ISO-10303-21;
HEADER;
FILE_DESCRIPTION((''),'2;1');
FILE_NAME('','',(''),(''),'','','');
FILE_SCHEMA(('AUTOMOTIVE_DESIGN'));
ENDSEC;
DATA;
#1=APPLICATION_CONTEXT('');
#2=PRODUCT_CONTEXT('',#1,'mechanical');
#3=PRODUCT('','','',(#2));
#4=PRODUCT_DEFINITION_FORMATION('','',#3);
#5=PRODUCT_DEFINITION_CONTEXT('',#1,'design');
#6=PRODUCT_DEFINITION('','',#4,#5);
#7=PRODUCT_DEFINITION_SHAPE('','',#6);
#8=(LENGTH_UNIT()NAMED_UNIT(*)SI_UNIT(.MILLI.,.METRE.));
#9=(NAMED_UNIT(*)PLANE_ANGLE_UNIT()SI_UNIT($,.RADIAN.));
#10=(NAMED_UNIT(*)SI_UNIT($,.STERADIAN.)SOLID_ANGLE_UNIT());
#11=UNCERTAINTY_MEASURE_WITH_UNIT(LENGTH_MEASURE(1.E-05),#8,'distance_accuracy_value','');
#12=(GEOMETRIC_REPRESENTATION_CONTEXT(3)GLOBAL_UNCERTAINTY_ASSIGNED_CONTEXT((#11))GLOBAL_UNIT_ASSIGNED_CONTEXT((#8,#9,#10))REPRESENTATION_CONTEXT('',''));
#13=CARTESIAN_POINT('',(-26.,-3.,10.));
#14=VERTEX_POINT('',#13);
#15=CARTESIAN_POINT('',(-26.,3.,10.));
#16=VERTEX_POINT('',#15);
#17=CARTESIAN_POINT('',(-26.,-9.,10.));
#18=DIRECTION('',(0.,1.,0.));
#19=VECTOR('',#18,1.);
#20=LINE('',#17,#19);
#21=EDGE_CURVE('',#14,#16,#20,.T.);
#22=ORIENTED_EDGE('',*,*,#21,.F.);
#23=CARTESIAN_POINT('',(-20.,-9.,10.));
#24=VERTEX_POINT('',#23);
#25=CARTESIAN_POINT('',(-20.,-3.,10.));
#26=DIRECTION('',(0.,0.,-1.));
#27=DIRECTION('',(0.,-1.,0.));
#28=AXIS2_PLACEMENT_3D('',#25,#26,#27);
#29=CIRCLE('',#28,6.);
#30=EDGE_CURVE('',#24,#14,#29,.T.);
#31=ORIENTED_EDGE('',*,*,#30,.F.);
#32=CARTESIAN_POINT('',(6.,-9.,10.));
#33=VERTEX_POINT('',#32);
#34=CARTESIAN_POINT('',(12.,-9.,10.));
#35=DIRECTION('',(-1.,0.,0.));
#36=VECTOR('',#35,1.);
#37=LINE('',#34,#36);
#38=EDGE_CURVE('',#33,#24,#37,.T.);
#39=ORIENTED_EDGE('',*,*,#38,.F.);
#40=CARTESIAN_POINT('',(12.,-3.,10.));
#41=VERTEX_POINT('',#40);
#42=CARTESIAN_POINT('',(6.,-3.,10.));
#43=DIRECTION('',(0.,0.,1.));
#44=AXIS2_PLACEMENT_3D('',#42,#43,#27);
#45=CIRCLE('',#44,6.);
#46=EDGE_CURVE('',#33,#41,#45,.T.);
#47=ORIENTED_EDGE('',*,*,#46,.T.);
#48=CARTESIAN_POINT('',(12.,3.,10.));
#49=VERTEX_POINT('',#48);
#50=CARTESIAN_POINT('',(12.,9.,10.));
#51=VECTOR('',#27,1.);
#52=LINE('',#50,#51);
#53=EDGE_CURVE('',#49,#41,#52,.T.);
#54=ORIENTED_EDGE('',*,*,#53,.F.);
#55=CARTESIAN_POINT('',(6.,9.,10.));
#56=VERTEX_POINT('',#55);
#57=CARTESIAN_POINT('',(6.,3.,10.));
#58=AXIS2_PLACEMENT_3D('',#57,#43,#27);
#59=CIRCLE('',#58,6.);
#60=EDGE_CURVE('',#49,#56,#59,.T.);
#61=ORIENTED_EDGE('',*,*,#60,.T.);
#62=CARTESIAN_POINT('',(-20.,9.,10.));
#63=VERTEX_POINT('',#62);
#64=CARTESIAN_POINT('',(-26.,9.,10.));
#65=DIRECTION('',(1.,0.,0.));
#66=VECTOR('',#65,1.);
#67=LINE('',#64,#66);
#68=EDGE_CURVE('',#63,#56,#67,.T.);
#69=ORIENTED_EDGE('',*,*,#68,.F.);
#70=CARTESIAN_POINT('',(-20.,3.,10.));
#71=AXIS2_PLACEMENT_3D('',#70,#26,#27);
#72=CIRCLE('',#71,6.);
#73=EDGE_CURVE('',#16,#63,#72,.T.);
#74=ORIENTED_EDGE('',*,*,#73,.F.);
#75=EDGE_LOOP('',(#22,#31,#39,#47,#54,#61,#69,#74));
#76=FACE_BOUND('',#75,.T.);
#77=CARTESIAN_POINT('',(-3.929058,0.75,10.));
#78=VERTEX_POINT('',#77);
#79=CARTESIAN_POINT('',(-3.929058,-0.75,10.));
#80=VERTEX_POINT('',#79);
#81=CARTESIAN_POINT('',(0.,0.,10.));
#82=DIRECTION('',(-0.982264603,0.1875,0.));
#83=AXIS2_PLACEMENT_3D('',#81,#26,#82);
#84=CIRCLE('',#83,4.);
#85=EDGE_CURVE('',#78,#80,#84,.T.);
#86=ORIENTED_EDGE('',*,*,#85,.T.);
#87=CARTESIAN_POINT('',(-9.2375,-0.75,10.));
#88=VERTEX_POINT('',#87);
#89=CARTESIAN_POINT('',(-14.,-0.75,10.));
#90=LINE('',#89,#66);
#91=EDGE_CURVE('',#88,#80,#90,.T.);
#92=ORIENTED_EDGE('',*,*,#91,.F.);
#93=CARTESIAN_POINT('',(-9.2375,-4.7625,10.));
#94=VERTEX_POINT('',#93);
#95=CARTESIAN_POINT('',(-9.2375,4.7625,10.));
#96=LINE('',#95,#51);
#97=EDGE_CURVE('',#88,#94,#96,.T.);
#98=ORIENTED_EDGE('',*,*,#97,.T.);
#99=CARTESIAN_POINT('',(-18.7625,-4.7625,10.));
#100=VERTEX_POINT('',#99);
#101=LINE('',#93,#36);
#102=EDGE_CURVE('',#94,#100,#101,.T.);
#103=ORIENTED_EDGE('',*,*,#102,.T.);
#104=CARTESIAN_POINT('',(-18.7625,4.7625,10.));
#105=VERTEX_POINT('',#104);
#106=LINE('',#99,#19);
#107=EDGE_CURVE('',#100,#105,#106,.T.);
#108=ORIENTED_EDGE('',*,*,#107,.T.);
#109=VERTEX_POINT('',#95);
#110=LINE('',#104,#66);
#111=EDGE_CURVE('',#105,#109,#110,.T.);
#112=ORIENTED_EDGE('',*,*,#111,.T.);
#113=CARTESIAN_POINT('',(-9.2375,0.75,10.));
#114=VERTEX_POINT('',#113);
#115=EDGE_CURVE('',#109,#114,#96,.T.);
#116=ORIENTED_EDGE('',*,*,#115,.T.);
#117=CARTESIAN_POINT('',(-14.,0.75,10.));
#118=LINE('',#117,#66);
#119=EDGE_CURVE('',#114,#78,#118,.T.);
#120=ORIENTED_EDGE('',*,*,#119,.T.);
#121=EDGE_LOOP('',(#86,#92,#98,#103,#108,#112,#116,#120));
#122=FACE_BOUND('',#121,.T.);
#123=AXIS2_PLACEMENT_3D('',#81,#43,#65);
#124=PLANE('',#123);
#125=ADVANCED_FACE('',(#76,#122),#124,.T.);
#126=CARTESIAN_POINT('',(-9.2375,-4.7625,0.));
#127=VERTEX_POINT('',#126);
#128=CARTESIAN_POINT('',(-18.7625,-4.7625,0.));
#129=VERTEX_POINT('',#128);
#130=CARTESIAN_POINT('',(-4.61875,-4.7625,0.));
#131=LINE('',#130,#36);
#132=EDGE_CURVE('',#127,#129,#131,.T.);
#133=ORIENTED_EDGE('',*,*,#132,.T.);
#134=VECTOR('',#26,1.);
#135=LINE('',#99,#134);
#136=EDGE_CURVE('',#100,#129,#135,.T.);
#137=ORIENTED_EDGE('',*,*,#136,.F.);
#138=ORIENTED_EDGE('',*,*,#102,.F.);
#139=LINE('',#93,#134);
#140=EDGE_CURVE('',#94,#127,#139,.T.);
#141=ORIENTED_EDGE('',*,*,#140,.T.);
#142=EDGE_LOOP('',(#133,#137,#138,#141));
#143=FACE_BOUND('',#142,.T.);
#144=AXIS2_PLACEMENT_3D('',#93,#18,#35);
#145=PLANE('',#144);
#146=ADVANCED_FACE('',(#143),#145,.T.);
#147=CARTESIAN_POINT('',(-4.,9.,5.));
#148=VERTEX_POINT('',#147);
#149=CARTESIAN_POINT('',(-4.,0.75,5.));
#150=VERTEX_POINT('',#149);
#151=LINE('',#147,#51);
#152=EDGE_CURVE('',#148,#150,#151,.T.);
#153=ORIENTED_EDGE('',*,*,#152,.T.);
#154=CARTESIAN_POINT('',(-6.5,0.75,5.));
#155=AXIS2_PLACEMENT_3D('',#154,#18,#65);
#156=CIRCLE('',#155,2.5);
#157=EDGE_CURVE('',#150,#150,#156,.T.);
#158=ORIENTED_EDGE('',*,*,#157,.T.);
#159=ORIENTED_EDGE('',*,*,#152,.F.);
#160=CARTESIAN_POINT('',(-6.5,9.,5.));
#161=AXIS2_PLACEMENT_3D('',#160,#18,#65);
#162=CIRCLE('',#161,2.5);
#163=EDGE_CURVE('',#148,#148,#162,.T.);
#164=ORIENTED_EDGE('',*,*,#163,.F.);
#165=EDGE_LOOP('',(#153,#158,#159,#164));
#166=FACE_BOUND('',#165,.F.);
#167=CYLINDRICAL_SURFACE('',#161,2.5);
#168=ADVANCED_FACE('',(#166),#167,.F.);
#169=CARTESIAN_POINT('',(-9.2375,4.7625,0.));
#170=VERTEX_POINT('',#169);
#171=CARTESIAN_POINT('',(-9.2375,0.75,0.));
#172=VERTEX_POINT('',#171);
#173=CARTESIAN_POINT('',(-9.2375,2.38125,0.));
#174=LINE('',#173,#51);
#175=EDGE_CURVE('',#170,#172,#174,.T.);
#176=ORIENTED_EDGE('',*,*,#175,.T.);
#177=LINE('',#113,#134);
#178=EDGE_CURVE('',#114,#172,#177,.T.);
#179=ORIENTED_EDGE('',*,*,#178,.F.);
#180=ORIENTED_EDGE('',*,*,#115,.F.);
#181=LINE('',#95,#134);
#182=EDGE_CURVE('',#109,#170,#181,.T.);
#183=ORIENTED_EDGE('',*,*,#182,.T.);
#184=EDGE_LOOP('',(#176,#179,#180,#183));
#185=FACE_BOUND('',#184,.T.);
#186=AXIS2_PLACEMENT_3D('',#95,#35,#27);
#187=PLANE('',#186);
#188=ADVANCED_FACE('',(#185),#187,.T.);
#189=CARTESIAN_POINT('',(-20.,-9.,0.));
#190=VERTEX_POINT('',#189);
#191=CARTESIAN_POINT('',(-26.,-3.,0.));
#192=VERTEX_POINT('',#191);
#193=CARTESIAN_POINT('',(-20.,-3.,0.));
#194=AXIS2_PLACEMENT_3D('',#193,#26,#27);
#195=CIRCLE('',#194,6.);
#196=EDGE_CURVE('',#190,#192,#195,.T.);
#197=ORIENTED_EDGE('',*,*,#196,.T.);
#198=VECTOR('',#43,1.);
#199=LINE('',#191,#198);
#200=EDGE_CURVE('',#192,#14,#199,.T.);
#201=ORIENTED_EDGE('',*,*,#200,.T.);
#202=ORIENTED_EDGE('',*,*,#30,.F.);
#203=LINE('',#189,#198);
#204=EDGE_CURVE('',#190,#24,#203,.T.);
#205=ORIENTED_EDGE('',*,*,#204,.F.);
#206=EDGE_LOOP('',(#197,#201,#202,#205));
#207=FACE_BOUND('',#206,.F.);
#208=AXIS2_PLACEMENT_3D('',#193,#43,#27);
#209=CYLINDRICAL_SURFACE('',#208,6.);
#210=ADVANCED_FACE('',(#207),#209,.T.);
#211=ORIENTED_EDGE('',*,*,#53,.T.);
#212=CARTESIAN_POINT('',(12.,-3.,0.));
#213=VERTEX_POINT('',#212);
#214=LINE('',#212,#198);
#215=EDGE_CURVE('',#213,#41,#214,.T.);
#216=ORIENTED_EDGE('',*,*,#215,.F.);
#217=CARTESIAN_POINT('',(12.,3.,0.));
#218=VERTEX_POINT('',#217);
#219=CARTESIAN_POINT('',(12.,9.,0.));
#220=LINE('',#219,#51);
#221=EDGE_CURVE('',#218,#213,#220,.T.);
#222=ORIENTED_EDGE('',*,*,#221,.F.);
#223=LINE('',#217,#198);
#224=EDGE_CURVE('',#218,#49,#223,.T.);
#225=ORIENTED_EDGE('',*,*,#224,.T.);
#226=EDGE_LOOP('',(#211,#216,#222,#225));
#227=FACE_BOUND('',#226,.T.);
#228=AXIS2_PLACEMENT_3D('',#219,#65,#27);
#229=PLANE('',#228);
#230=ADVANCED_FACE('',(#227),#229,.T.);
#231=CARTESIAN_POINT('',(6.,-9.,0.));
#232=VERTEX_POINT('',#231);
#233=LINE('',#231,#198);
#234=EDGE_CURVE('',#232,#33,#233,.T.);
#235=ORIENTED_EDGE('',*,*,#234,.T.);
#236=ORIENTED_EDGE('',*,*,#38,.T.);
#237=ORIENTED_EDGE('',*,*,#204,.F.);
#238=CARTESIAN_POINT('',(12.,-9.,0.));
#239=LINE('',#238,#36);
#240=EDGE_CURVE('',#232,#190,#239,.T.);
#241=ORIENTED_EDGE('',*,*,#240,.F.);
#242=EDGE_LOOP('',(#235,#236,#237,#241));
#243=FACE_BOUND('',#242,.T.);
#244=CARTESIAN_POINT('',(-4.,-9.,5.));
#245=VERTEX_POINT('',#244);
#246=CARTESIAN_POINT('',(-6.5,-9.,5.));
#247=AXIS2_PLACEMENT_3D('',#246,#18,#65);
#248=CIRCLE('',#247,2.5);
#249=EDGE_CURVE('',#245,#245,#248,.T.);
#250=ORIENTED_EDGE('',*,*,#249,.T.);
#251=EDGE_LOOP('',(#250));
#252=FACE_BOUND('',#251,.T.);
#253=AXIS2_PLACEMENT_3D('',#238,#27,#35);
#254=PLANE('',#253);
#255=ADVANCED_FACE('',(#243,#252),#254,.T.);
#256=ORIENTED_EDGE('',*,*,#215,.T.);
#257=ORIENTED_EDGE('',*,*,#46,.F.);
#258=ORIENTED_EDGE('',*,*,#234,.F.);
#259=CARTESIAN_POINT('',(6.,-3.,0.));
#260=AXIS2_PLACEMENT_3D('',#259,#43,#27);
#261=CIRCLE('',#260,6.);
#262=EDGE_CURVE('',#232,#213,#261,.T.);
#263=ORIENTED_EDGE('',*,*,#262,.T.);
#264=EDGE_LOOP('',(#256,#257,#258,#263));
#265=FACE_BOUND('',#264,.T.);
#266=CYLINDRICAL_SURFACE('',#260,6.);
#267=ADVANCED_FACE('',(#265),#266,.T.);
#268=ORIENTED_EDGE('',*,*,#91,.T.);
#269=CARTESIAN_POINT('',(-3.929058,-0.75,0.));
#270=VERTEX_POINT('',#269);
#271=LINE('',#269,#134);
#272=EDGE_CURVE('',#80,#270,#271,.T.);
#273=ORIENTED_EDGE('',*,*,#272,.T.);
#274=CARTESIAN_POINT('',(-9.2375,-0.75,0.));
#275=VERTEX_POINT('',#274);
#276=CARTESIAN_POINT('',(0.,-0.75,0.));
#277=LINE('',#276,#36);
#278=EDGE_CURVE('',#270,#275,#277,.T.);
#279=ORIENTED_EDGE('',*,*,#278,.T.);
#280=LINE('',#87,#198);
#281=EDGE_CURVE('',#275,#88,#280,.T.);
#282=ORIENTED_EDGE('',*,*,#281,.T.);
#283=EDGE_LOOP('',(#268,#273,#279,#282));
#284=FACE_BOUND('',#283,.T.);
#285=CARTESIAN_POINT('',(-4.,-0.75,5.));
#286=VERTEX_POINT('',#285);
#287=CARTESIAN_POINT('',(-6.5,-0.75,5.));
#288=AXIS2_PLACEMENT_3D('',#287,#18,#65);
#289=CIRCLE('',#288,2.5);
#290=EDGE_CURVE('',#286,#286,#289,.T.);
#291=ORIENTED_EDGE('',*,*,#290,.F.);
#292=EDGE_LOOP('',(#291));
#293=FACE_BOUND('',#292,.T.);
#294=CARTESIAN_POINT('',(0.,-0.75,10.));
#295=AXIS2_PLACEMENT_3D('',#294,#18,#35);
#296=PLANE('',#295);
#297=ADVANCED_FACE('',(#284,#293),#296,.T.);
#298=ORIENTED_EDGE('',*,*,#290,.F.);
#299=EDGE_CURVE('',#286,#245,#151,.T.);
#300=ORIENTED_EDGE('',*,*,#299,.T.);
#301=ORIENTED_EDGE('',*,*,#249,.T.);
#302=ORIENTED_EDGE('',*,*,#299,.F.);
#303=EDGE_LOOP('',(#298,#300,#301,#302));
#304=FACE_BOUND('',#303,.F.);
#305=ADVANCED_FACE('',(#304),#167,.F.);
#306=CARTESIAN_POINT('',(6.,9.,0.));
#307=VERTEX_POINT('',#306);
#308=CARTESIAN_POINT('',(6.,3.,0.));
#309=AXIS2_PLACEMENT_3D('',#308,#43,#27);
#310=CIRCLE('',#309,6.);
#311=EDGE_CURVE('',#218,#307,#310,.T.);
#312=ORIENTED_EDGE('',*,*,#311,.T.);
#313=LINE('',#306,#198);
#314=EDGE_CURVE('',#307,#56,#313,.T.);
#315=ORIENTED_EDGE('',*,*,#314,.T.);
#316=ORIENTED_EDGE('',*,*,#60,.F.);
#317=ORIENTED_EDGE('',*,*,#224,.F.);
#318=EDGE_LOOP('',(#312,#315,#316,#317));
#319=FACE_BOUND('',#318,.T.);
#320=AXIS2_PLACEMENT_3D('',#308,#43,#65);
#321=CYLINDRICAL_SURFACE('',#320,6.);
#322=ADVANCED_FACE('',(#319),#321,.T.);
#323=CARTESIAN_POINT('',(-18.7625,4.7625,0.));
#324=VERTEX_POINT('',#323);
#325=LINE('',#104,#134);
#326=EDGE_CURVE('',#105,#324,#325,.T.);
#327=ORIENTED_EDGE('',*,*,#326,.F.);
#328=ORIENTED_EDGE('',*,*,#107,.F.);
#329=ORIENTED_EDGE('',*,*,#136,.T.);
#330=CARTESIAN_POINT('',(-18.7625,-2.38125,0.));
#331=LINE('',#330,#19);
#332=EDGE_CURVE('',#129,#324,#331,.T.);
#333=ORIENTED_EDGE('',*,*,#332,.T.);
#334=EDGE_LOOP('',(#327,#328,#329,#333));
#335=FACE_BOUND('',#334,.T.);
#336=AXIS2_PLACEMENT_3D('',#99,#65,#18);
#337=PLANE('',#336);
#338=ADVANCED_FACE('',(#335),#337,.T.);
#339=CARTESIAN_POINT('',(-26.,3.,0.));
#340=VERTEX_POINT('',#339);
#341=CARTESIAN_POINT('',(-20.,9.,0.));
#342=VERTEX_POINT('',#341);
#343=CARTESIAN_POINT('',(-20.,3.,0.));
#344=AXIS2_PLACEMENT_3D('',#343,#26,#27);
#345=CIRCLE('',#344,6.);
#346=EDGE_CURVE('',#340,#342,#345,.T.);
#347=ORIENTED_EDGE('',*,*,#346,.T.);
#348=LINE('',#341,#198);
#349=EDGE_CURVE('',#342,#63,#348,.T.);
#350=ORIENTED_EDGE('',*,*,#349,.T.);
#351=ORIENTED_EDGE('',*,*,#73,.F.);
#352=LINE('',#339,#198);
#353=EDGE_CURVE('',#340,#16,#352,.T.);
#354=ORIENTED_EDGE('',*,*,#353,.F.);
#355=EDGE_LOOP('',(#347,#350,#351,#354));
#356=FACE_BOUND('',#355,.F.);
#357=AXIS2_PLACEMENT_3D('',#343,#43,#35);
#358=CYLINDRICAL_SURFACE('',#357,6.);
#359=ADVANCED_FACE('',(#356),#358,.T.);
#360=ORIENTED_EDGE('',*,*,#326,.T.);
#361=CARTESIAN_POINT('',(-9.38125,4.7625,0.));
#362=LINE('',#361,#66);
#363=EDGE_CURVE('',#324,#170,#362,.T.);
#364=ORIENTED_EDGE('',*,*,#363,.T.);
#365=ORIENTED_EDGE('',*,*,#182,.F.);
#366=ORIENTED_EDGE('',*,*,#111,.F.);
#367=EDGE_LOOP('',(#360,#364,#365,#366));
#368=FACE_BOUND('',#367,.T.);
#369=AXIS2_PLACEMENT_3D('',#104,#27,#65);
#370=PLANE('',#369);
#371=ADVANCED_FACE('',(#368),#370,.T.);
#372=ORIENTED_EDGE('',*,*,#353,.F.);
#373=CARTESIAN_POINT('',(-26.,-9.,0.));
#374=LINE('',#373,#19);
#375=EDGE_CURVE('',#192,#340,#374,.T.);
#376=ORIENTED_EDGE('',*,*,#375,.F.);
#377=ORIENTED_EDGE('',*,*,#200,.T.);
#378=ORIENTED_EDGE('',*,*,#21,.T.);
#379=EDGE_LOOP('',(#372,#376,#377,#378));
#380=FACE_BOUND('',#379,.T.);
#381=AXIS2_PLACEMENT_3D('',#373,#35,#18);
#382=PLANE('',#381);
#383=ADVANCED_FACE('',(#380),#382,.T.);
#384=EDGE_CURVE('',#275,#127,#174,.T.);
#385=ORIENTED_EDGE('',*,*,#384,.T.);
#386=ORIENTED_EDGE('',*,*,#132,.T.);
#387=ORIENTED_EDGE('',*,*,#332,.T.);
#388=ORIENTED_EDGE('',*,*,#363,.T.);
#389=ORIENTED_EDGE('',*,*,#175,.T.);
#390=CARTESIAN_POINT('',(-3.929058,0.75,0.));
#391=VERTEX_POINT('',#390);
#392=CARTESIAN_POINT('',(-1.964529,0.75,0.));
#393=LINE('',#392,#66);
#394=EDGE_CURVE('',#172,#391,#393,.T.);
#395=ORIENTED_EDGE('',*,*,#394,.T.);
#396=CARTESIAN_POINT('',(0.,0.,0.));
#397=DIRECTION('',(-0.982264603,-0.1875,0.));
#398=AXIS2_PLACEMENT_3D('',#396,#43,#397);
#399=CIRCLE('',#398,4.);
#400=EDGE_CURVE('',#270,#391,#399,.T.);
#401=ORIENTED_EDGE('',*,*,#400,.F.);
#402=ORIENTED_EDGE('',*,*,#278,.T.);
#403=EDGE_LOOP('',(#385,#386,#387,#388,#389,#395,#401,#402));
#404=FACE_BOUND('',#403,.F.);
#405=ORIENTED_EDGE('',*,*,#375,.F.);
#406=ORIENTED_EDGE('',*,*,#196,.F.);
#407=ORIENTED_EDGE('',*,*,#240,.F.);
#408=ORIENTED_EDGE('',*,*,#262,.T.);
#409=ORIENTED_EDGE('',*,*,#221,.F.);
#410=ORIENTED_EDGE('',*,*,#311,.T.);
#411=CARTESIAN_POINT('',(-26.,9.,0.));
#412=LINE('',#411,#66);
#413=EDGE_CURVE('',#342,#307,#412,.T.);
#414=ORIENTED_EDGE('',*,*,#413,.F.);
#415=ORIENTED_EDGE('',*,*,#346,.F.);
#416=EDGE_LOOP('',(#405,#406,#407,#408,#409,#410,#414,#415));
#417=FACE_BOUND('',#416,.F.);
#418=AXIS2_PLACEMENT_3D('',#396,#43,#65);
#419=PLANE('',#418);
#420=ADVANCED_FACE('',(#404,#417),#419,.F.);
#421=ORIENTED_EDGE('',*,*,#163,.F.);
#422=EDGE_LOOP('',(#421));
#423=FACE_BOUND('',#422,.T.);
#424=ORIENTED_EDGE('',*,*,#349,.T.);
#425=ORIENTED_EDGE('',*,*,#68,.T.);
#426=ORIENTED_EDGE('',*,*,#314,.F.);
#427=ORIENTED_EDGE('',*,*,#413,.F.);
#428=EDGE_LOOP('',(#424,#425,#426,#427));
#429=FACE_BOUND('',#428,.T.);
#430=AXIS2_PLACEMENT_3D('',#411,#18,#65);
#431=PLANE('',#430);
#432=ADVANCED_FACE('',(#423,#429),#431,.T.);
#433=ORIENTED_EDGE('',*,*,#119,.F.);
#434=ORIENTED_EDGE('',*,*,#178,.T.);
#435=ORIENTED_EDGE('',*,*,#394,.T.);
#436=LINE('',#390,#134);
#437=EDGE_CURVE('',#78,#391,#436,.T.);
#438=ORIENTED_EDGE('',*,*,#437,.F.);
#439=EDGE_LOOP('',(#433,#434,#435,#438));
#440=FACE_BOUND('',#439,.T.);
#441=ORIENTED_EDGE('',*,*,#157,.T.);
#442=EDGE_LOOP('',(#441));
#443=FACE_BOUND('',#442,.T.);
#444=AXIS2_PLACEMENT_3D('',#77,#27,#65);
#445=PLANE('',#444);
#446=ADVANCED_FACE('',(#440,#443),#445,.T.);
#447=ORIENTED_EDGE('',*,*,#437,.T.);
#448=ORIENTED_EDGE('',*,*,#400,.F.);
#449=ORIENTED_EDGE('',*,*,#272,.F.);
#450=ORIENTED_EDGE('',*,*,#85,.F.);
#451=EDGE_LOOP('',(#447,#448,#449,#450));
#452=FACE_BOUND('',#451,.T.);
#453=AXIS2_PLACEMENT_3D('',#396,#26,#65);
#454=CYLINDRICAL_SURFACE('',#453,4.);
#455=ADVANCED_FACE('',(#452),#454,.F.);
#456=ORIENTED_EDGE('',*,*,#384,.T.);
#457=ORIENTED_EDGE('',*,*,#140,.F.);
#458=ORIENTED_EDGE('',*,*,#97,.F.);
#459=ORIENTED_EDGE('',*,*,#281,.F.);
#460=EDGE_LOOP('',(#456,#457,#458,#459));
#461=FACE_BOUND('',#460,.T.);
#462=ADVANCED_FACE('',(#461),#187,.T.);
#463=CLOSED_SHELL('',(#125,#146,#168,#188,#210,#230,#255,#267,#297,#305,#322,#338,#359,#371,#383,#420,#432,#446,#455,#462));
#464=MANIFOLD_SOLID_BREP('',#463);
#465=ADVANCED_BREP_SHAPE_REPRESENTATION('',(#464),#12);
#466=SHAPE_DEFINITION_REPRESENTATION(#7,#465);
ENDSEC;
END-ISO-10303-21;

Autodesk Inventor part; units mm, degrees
ref_plane "YZ Plane" through (0, 0, 0) normal (1, 0, 0) x (0, 1, 0)
ref_plane "XZ Plane" through (0, 0, 0) normal (0, 1, 0) x (-1, 0, 0)
ref_plane "XY Plane" through (0, 0, 0) normal (0, 0, 1) x (1, 0, 0)
sketch "Sketch1" plane through (0, 0, 0) normal (0, 0, 1) x (1, 0, 0)
  line L0 (0, 0) -> (-14, 0) construction
  circle A0 centre (-14, 0) radius 4
  circle A1 centre (0, 0) radius 4
  line L1 (12, -9) -> (-26, -9)
  line L2 (-26, -9) -> (-26, 9)
  line L3 (-26, 9) -> (12, 9)
  line L4 (12, 9) -> (12, -9)
  line L5 (12, -9) -> (-26, 9) construction
  line L6 (-26, -9) -> (12, 9) construction
  point P0 (-7, 0)
  dimension "d0" = 8
  dimension "d1" = 14
  dimension "d2" = 12
  dimension "d3" = 18
  dimension "d13" = 38
extrude "Extrusion1" add sketch "Sketch1" along normal blind 10
sketch "Sketch2" plane through (-26, 9, 0) normal (0, 1, 0) x (1, 0, 0)
  circle A0 centre (19.5, -5) radius 2.5
  line L0 (19.5, -5) -> (0, -5) construction
  line L1 (0, 0) -> (0, -10) construction
  point P0 (26, 0)
  dimension "d6" = 5
  dimension "d17" = 19.5
extrude "Extrusion2" cut sketch "Sketch2" against normal through all
fillet "Fillet1" radius 6 4 edges at (12, 9, 5) (-26, 9, 5) (-26, -9, 5) (12, -9, 5)
sketch "Sketch3" plane through (0, 0, 10) normal (0, 0, 1) x (1, 0, 0)
  line L0 (-20, -9) -> (6, -9) projected
  circle A0 centre (0, 0) radius 4 projected
  circle A1 centre (-14, 0) radius 4 projected
  line L1 (-14, 0) -> (0, 0) construction
  line L2 (0, -0.75) -> (-14, -0.75)
  line L3 (-14, -0.75) -> (-14, 0.75)
  line L4 (-14, 0.75) -> (0, 0.75)
  line L5 (0, 0.75) -> (0, -0.75)
  line L6 (0, -0.75) -> (-14, 0.75) construction
  line L7 (-14, -0.75) -> (0, 0.75) construction
  point P0 (-7, 0)
  dimension "d10" = 1.5
extrude "Extrusion3" cut sketch "Sketch3" against normal through all contours L4 L5 L2 A0 | A0 L2 A1 L4 | A1 L2 L3 L4 picked at (-1.3307, -0.0838) picked at (-12.6667, 0)
sketch "Sketch4" plane through (0, 0, 10) normal (0, 0, 1) x (1, 0, 0)
  line L0 (-10.0709, 0.75) -> (-3.9291, 0.75) construction
  arc A0 (-3.9291, -0.75) -> (-3.9291, 0.75) centre (0, 0) ccw construction
  line L1 (-3.9291, -0.75) -> (-10.0709, -0.75) construction
  arc A1 (-10.0709, 0.75) -> (-10.0709, -0.75) centre (-14, 0) ccw construction
  arc A2 (6, -9) -> (12, -3) centre (6, -3) ccw construction
  line L2 (12, -3) -> (12, 3) construction
  arc A3 (12, 3) -> (6, 9) centre (6, 3) ccw construction
  line L3 (6, 9) -> (-20, 9) construction
  arc A4 (-20, 9) -> (-26, 3) centre (-20, 3) ccw construction
  line L4 (-26, 3) -> (-26, -3) construction
  arc A5 (-26, -3) -> (-20, -9) centre (-20, -3) ccw construction
  line L5 (-20, -9) -> (6, -9) construction
  line L6 (-9.2375, -4.7625) -> (-18.7625, -4.7625)
  line L7 (-18.7625, -4.7625) -> (-18.7625, 4.7625)
  line L8 (-18.7625, 4.7625) -> (-9.2375, 4.7625)
  line L9 (-9.2375, 4.7625) -> (-9.2375, -4.7625)
  line L10 (-9.2375, -4.7625) -> (-18.7625, 4.7625) construction
  line L11 (-18.7625, -4.7625) -> (-9.2375, 4.7625) construction
  dimension "d14" = 9.525
extrude "Extrusion4" cut sketch "Sketch4" against normal through all
properties part number "crank web"
